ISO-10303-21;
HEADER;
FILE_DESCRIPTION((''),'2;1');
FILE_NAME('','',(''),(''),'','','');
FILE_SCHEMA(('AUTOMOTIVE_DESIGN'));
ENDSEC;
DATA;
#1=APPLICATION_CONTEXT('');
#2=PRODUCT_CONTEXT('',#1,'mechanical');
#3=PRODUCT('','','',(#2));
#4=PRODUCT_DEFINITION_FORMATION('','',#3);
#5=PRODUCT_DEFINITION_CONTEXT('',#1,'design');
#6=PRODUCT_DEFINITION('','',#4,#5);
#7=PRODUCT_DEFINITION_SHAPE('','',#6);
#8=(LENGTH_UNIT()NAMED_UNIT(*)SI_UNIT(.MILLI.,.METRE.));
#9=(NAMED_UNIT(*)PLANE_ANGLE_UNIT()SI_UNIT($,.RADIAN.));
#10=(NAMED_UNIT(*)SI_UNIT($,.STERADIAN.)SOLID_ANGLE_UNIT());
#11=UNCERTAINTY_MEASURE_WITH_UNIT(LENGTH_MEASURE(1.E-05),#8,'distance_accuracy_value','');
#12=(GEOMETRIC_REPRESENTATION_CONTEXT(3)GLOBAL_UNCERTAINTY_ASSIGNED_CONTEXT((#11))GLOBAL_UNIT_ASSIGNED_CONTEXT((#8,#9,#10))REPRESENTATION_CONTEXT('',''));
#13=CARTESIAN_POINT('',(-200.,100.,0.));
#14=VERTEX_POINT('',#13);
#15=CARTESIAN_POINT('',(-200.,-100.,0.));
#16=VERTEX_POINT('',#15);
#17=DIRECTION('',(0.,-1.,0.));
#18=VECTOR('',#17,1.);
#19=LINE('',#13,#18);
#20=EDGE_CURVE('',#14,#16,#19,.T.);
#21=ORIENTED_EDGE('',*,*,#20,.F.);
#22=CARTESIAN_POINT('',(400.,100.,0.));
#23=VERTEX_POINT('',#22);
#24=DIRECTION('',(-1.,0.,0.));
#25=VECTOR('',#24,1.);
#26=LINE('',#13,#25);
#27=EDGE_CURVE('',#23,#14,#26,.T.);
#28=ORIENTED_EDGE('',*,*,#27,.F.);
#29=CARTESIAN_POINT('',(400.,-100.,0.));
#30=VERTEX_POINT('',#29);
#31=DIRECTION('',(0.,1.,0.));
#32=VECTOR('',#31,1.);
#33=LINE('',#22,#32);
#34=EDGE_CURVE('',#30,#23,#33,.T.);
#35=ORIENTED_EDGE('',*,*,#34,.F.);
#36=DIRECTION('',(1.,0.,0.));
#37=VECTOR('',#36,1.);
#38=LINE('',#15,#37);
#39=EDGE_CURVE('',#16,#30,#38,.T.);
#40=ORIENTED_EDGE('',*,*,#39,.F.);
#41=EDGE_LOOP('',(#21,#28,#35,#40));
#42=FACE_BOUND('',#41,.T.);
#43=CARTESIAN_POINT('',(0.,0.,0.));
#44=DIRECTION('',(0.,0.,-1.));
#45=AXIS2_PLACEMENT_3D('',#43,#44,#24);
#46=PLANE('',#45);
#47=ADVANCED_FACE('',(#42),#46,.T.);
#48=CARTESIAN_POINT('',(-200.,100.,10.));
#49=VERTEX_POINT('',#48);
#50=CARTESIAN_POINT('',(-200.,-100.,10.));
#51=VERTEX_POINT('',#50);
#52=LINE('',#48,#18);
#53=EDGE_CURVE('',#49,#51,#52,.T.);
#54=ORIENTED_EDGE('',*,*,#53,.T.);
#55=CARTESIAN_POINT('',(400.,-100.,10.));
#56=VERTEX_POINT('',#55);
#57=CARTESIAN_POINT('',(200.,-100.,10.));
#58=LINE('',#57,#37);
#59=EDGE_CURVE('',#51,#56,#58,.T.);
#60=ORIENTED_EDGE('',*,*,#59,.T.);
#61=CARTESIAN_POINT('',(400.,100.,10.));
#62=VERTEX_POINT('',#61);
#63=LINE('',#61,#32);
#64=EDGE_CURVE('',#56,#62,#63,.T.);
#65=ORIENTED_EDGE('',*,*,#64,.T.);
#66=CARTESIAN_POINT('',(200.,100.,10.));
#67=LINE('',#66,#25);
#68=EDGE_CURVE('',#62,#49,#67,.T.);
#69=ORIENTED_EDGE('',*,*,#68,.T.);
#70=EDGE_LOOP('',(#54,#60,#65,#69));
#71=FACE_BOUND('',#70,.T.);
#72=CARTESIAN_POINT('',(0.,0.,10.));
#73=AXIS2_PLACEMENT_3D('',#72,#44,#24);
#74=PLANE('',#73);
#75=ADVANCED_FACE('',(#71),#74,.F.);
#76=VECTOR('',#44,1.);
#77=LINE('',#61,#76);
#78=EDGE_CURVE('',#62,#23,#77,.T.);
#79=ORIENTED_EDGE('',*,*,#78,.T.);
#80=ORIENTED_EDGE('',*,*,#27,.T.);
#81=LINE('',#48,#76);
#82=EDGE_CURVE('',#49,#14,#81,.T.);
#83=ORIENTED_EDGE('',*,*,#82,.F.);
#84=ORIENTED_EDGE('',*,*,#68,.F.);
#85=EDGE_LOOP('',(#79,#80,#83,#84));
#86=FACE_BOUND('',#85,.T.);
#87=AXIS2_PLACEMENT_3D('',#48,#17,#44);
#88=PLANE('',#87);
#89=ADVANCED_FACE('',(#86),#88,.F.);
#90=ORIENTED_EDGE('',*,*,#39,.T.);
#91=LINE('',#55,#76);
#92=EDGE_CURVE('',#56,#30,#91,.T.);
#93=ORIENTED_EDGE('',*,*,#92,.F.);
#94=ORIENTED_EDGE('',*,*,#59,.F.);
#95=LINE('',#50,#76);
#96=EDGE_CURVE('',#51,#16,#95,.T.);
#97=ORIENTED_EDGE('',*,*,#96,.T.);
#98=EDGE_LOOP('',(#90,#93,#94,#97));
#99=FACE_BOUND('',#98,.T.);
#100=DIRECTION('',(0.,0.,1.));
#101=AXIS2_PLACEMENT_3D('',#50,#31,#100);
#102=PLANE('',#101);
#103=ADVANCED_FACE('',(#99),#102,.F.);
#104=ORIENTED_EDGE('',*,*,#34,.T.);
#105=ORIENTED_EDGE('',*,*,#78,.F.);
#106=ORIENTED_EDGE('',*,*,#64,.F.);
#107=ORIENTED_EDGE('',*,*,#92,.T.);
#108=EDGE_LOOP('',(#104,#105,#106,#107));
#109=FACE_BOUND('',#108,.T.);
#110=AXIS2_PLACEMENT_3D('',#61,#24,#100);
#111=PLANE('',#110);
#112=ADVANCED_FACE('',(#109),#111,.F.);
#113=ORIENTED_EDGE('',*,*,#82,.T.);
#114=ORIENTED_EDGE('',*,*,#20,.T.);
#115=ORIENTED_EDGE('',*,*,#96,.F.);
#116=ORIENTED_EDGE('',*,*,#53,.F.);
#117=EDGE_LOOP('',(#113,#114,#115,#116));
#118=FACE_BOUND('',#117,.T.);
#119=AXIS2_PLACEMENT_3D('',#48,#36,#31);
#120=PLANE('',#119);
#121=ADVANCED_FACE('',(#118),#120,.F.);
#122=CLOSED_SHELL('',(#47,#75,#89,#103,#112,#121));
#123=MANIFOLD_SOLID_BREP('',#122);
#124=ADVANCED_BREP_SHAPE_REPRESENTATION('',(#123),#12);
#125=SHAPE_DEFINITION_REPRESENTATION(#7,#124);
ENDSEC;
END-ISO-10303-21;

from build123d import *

# Parameters (mm, degrees)
BOSS_EXTRUDE1_DEPTH = 10


with BuildPart() as part:
    # Sketch1 → Boss-Extrude1 (new body)
    with BuildSketch(Plane.XY):
        Polygon((-200, 100), (200, 100), (400, 100), (400, -100), (200, -100), (-200, -100), align=None)
    extrude(amount=BOSS_EXTRUDE1_DEPTH)


solid = part.part
